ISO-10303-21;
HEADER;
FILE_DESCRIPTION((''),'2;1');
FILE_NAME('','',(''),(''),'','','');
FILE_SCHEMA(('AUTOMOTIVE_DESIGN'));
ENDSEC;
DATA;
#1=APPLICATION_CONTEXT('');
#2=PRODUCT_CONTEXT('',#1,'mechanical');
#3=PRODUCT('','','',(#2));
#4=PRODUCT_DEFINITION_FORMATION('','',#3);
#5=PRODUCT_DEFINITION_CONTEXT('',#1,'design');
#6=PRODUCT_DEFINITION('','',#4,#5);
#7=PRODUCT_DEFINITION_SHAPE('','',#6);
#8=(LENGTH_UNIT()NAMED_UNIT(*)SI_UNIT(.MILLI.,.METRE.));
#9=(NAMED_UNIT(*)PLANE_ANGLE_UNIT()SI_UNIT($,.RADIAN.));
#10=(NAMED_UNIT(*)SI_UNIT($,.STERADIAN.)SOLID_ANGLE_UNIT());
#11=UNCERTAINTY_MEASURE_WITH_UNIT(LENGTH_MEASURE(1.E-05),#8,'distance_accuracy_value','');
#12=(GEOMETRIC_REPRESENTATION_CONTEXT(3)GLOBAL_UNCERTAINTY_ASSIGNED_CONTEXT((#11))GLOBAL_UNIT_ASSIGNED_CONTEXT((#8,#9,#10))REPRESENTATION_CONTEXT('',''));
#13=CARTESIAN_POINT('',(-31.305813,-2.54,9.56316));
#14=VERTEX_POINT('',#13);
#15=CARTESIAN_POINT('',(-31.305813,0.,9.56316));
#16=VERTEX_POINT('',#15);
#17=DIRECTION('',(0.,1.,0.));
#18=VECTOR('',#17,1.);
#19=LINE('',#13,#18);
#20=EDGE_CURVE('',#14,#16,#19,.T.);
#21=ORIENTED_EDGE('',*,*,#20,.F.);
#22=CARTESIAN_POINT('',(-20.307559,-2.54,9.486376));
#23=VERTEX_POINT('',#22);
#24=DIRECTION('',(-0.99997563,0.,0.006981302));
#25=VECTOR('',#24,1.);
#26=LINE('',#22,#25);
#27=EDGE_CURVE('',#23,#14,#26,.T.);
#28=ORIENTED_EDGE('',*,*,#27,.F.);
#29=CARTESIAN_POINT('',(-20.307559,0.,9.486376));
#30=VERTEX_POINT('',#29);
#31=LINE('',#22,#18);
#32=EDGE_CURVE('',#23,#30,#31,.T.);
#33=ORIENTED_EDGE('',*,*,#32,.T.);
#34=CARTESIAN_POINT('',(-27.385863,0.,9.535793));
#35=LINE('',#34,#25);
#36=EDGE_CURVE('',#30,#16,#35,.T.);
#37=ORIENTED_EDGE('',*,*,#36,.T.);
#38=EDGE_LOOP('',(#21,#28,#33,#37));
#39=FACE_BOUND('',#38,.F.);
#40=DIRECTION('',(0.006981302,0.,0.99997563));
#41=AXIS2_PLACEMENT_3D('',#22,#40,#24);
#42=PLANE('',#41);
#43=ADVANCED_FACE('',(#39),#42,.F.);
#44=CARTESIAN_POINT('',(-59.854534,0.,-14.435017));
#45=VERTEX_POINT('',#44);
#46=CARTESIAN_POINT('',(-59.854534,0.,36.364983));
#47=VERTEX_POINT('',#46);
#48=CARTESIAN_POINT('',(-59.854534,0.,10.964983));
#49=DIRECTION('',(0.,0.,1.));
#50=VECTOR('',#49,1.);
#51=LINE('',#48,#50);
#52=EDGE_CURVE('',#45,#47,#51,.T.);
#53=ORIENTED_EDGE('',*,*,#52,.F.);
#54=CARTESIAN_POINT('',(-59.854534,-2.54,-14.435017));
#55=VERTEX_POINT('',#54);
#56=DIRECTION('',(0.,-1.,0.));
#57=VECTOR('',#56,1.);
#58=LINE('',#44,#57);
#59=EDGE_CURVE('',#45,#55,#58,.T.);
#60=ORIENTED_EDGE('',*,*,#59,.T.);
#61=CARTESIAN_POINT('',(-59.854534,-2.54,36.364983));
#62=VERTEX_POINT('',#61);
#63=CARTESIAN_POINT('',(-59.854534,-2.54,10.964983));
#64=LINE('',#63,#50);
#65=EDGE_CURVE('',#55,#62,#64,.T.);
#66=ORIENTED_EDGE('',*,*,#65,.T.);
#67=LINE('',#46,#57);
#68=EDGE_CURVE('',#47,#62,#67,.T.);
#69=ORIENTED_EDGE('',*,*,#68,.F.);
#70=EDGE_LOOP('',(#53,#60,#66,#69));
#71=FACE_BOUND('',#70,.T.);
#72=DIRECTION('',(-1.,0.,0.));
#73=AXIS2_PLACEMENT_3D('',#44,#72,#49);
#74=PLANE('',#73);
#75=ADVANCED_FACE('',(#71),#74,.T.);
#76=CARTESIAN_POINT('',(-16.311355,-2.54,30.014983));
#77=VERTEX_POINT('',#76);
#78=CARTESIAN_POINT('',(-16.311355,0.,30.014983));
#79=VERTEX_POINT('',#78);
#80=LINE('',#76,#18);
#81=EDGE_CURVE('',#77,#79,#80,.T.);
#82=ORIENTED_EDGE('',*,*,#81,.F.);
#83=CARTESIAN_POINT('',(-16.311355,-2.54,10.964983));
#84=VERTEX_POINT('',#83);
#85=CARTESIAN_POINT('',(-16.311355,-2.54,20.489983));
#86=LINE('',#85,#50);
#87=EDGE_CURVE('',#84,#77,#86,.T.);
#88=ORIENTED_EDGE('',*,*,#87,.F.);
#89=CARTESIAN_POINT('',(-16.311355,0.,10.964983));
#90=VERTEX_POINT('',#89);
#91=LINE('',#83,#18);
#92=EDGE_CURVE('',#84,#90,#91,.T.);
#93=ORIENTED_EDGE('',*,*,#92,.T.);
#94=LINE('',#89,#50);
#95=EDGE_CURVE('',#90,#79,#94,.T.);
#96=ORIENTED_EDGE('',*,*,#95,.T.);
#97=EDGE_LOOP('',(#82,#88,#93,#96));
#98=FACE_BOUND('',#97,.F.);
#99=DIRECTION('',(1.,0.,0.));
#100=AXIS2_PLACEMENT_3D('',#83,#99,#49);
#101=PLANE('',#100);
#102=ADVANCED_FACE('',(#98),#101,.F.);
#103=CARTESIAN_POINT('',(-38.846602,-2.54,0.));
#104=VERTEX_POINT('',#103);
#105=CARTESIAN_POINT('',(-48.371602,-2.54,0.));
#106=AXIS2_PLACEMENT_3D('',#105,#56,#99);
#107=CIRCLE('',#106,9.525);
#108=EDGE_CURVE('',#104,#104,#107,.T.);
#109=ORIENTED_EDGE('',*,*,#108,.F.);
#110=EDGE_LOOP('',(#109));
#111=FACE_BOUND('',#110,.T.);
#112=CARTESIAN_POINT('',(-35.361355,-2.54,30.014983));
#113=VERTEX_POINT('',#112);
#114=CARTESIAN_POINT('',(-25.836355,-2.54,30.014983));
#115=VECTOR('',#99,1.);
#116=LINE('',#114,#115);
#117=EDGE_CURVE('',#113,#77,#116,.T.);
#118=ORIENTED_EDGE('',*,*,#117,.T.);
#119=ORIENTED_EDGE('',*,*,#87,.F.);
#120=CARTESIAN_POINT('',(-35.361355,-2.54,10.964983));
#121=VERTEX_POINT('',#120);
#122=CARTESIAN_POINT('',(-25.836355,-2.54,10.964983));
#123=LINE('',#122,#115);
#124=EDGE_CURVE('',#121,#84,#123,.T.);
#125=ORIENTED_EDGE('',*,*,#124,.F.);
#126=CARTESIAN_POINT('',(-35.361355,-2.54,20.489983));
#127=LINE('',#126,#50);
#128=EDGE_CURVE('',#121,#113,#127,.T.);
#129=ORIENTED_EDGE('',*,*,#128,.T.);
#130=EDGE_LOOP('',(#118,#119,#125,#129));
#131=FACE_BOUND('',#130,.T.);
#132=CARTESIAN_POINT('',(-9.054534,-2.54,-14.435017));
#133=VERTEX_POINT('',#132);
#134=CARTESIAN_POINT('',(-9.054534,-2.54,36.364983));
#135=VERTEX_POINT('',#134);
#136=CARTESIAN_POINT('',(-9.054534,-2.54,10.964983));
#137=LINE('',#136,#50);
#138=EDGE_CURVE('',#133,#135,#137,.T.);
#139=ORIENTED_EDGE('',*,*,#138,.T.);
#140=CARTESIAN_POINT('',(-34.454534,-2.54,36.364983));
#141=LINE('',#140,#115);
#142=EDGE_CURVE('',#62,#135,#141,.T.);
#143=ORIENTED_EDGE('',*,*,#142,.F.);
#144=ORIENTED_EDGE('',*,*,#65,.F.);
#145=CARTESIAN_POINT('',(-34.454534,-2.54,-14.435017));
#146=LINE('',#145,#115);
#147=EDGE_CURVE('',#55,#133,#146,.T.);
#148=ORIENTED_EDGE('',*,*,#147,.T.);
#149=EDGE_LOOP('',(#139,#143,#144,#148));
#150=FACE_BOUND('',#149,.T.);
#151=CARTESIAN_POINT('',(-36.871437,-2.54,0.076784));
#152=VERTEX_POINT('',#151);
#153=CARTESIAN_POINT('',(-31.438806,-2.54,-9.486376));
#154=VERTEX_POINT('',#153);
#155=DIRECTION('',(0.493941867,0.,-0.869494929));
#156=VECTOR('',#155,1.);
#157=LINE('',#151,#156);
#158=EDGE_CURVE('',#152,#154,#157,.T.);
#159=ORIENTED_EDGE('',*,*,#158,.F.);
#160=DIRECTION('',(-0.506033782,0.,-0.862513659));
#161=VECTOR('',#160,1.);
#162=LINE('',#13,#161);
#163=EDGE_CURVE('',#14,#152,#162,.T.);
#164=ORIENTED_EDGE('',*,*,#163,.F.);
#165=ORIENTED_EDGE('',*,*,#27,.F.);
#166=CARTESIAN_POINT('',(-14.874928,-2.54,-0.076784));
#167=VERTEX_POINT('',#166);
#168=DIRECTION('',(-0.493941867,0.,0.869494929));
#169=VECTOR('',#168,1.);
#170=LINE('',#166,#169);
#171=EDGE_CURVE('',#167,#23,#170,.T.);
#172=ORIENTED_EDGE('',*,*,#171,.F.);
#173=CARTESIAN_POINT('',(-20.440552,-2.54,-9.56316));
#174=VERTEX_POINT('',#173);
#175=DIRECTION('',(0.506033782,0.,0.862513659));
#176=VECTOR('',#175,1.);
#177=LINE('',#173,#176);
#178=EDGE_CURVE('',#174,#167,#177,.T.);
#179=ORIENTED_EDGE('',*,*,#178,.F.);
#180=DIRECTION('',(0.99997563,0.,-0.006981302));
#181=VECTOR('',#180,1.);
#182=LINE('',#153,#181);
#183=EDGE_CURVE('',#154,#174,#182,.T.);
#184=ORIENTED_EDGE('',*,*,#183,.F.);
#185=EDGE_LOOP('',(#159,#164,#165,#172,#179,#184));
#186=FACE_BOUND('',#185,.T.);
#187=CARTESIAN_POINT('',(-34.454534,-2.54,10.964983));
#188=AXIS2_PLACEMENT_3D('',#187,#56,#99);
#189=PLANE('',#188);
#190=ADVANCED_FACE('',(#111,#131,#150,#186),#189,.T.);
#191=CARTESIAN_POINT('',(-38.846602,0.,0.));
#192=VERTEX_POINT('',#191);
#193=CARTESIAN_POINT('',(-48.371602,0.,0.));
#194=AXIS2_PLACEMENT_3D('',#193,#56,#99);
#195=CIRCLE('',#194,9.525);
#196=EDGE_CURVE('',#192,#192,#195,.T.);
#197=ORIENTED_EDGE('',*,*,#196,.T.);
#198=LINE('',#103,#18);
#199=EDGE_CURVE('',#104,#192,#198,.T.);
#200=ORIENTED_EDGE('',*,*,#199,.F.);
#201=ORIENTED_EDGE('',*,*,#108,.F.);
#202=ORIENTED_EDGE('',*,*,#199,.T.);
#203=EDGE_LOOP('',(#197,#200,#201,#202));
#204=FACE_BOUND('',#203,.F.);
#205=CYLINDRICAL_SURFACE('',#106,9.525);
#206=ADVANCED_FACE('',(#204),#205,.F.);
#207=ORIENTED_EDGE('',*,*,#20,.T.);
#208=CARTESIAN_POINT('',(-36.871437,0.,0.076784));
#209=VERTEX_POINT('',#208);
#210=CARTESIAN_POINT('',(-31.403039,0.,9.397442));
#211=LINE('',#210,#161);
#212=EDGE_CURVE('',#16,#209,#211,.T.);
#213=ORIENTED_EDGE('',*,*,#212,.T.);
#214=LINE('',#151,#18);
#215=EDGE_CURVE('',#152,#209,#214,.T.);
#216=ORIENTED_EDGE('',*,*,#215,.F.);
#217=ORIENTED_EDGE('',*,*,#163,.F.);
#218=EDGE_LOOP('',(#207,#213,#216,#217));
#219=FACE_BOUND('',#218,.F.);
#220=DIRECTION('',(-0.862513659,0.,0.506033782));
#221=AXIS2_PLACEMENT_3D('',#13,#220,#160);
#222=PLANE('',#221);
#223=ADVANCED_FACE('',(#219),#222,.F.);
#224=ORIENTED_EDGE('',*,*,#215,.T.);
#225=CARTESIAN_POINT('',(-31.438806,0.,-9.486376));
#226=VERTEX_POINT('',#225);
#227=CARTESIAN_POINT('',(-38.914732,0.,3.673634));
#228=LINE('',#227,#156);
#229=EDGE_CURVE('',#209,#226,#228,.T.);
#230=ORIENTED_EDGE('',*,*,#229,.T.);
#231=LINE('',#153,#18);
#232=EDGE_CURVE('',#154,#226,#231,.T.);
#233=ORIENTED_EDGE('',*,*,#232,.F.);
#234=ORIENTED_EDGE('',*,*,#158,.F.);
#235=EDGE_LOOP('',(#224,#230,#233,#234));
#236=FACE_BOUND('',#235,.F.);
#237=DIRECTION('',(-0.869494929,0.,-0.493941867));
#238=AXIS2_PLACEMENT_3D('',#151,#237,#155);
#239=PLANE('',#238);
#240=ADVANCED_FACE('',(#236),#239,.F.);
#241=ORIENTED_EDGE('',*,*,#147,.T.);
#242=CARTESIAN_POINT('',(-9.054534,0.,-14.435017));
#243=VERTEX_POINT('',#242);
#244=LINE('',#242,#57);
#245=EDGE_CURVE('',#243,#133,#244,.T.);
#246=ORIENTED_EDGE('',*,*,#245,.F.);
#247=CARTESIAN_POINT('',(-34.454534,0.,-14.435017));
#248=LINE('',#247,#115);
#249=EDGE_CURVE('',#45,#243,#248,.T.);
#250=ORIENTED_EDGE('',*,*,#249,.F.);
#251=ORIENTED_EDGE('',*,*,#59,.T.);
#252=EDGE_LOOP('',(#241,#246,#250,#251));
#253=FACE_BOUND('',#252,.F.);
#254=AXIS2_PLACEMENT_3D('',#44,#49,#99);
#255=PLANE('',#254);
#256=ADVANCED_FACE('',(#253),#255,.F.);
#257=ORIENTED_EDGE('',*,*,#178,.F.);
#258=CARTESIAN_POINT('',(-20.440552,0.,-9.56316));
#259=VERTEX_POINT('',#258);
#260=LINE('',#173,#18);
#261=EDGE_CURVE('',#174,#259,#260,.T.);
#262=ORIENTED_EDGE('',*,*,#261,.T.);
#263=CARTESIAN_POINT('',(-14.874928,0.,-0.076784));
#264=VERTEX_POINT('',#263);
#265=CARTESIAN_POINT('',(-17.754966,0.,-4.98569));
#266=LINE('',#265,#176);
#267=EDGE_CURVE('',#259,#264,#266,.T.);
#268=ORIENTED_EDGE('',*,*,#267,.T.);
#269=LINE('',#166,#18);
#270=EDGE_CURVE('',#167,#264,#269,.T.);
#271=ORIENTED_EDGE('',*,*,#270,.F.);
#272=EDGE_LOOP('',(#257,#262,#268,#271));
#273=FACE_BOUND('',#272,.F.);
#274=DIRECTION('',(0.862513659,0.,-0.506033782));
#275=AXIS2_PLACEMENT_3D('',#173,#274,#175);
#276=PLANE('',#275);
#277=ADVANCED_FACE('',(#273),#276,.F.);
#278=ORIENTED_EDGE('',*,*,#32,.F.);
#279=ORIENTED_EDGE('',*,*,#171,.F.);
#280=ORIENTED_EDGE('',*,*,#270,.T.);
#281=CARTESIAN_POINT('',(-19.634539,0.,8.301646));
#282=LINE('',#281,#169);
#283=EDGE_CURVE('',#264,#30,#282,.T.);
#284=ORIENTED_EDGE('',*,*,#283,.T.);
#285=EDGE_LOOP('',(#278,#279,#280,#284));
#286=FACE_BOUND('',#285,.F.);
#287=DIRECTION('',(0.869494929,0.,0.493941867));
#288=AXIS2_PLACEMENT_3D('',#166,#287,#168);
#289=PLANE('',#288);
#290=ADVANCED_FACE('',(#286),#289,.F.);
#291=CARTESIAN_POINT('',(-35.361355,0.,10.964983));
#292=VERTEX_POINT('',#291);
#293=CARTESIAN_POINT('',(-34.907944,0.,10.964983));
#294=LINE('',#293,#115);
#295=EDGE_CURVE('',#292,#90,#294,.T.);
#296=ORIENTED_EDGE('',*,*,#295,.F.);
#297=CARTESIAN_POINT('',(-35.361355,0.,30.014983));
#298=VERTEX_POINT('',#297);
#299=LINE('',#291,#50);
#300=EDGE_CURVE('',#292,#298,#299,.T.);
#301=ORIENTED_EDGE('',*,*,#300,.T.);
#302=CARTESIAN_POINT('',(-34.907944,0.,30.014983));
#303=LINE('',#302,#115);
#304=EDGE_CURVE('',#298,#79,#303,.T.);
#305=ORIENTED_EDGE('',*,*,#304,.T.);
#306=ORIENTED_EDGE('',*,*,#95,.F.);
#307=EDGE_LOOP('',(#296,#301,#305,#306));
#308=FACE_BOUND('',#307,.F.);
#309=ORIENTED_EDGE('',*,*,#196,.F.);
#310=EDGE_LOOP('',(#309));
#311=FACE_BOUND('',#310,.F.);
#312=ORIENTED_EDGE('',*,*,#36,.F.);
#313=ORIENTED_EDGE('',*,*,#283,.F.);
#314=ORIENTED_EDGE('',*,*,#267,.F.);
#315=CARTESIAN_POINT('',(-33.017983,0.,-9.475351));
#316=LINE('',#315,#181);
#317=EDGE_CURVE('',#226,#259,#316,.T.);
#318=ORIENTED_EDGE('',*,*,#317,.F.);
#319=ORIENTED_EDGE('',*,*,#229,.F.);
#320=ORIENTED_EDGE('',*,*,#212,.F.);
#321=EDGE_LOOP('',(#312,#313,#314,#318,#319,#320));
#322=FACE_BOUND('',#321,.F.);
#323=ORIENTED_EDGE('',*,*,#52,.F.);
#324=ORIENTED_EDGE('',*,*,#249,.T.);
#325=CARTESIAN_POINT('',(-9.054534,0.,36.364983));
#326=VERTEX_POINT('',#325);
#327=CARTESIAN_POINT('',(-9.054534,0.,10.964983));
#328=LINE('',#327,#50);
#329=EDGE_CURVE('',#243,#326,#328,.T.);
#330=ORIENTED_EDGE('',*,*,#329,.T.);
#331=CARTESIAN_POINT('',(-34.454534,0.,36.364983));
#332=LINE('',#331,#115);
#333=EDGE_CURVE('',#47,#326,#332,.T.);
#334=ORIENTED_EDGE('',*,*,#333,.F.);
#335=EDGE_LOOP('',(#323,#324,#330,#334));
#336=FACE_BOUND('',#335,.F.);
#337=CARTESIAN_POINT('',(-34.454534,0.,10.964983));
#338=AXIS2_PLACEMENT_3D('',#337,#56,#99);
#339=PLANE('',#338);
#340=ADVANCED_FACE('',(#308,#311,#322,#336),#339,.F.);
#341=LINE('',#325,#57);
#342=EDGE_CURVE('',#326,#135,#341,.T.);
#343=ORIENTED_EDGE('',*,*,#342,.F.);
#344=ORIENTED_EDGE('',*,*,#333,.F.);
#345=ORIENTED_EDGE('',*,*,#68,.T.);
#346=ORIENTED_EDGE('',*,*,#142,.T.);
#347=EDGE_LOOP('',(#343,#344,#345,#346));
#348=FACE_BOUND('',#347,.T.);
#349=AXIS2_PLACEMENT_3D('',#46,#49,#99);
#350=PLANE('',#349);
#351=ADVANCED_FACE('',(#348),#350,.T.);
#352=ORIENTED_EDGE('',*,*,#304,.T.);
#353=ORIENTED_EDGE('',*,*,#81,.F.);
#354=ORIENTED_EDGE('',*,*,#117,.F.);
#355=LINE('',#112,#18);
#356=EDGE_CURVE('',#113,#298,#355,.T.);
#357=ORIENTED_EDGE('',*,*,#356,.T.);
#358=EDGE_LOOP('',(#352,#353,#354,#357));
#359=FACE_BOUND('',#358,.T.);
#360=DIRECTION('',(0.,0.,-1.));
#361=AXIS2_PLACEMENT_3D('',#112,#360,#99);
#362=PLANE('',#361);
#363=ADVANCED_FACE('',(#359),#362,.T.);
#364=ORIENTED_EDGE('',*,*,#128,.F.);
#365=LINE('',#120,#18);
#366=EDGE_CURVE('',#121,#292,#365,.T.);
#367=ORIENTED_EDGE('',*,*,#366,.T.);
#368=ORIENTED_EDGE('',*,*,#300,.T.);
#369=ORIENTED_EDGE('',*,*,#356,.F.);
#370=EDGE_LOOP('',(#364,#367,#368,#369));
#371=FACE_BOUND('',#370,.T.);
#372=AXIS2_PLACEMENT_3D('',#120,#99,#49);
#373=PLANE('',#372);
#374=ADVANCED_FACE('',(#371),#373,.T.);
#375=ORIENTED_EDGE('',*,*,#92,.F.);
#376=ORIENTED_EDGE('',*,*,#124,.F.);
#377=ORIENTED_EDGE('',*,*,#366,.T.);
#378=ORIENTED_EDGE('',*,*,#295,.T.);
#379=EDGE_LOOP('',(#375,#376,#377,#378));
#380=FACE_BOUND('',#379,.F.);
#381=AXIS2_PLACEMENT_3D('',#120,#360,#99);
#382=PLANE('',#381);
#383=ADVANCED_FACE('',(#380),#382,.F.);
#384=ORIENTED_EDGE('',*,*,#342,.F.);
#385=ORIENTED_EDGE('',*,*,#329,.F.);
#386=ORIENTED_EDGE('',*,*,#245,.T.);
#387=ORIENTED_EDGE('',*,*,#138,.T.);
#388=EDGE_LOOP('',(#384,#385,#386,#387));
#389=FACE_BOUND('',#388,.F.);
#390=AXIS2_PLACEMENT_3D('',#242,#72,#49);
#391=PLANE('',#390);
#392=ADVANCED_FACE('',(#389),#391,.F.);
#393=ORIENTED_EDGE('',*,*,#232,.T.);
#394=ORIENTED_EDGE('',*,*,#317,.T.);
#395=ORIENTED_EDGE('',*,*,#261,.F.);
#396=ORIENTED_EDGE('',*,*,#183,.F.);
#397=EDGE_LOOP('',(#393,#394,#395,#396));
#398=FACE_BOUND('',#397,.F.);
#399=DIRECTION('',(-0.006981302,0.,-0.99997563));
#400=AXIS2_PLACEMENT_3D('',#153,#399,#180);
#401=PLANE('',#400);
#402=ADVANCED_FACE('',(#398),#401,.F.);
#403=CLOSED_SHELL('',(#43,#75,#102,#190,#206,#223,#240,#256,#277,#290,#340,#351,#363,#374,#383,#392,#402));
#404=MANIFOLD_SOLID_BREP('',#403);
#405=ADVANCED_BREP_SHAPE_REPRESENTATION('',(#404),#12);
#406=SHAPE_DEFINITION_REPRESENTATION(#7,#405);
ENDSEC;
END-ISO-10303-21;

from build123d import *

# Parameters (mm, degrees)
F0_W     = 50.8
F0_H     = 50.8
F1_DEPTH = 2.54
F2_W     = 19.05
F2_H     = 19.05
F2_R     = 9.525
F3_DEPTH = 25.4


with BuildPart() as f1:
    # F0 (on Front) → F1 (new body)
    with BuildSketch(Plane.XZ):
        with Locations((-34.454534, 10.964983)):
            Rectangle(F0_W, F0_H)
    extrude(amount=F1_DEPTH)

    # F2 (on face) → F3 (cut)
    with BuildSketch(Plane.XZ.offset(2.54)):
        with Locations((-25.836355, 20.489983)):
            Rectangle(F2_W, F2_H)
        with Locations((-48.371602, 0)):
            Circle(F2_R)
        Polygon((-14.874928, -0.076784), (-20.307559, 9.486376), (-31.305813, 9.56316), (-36.871437, 0.076784), (-31.438806, -9.486376), (-20.440552, -9.56316), align=None)
    extrude(amount=-F3_DEPTH, mode=Mode.SUBTRACT)


solid = f1.part
